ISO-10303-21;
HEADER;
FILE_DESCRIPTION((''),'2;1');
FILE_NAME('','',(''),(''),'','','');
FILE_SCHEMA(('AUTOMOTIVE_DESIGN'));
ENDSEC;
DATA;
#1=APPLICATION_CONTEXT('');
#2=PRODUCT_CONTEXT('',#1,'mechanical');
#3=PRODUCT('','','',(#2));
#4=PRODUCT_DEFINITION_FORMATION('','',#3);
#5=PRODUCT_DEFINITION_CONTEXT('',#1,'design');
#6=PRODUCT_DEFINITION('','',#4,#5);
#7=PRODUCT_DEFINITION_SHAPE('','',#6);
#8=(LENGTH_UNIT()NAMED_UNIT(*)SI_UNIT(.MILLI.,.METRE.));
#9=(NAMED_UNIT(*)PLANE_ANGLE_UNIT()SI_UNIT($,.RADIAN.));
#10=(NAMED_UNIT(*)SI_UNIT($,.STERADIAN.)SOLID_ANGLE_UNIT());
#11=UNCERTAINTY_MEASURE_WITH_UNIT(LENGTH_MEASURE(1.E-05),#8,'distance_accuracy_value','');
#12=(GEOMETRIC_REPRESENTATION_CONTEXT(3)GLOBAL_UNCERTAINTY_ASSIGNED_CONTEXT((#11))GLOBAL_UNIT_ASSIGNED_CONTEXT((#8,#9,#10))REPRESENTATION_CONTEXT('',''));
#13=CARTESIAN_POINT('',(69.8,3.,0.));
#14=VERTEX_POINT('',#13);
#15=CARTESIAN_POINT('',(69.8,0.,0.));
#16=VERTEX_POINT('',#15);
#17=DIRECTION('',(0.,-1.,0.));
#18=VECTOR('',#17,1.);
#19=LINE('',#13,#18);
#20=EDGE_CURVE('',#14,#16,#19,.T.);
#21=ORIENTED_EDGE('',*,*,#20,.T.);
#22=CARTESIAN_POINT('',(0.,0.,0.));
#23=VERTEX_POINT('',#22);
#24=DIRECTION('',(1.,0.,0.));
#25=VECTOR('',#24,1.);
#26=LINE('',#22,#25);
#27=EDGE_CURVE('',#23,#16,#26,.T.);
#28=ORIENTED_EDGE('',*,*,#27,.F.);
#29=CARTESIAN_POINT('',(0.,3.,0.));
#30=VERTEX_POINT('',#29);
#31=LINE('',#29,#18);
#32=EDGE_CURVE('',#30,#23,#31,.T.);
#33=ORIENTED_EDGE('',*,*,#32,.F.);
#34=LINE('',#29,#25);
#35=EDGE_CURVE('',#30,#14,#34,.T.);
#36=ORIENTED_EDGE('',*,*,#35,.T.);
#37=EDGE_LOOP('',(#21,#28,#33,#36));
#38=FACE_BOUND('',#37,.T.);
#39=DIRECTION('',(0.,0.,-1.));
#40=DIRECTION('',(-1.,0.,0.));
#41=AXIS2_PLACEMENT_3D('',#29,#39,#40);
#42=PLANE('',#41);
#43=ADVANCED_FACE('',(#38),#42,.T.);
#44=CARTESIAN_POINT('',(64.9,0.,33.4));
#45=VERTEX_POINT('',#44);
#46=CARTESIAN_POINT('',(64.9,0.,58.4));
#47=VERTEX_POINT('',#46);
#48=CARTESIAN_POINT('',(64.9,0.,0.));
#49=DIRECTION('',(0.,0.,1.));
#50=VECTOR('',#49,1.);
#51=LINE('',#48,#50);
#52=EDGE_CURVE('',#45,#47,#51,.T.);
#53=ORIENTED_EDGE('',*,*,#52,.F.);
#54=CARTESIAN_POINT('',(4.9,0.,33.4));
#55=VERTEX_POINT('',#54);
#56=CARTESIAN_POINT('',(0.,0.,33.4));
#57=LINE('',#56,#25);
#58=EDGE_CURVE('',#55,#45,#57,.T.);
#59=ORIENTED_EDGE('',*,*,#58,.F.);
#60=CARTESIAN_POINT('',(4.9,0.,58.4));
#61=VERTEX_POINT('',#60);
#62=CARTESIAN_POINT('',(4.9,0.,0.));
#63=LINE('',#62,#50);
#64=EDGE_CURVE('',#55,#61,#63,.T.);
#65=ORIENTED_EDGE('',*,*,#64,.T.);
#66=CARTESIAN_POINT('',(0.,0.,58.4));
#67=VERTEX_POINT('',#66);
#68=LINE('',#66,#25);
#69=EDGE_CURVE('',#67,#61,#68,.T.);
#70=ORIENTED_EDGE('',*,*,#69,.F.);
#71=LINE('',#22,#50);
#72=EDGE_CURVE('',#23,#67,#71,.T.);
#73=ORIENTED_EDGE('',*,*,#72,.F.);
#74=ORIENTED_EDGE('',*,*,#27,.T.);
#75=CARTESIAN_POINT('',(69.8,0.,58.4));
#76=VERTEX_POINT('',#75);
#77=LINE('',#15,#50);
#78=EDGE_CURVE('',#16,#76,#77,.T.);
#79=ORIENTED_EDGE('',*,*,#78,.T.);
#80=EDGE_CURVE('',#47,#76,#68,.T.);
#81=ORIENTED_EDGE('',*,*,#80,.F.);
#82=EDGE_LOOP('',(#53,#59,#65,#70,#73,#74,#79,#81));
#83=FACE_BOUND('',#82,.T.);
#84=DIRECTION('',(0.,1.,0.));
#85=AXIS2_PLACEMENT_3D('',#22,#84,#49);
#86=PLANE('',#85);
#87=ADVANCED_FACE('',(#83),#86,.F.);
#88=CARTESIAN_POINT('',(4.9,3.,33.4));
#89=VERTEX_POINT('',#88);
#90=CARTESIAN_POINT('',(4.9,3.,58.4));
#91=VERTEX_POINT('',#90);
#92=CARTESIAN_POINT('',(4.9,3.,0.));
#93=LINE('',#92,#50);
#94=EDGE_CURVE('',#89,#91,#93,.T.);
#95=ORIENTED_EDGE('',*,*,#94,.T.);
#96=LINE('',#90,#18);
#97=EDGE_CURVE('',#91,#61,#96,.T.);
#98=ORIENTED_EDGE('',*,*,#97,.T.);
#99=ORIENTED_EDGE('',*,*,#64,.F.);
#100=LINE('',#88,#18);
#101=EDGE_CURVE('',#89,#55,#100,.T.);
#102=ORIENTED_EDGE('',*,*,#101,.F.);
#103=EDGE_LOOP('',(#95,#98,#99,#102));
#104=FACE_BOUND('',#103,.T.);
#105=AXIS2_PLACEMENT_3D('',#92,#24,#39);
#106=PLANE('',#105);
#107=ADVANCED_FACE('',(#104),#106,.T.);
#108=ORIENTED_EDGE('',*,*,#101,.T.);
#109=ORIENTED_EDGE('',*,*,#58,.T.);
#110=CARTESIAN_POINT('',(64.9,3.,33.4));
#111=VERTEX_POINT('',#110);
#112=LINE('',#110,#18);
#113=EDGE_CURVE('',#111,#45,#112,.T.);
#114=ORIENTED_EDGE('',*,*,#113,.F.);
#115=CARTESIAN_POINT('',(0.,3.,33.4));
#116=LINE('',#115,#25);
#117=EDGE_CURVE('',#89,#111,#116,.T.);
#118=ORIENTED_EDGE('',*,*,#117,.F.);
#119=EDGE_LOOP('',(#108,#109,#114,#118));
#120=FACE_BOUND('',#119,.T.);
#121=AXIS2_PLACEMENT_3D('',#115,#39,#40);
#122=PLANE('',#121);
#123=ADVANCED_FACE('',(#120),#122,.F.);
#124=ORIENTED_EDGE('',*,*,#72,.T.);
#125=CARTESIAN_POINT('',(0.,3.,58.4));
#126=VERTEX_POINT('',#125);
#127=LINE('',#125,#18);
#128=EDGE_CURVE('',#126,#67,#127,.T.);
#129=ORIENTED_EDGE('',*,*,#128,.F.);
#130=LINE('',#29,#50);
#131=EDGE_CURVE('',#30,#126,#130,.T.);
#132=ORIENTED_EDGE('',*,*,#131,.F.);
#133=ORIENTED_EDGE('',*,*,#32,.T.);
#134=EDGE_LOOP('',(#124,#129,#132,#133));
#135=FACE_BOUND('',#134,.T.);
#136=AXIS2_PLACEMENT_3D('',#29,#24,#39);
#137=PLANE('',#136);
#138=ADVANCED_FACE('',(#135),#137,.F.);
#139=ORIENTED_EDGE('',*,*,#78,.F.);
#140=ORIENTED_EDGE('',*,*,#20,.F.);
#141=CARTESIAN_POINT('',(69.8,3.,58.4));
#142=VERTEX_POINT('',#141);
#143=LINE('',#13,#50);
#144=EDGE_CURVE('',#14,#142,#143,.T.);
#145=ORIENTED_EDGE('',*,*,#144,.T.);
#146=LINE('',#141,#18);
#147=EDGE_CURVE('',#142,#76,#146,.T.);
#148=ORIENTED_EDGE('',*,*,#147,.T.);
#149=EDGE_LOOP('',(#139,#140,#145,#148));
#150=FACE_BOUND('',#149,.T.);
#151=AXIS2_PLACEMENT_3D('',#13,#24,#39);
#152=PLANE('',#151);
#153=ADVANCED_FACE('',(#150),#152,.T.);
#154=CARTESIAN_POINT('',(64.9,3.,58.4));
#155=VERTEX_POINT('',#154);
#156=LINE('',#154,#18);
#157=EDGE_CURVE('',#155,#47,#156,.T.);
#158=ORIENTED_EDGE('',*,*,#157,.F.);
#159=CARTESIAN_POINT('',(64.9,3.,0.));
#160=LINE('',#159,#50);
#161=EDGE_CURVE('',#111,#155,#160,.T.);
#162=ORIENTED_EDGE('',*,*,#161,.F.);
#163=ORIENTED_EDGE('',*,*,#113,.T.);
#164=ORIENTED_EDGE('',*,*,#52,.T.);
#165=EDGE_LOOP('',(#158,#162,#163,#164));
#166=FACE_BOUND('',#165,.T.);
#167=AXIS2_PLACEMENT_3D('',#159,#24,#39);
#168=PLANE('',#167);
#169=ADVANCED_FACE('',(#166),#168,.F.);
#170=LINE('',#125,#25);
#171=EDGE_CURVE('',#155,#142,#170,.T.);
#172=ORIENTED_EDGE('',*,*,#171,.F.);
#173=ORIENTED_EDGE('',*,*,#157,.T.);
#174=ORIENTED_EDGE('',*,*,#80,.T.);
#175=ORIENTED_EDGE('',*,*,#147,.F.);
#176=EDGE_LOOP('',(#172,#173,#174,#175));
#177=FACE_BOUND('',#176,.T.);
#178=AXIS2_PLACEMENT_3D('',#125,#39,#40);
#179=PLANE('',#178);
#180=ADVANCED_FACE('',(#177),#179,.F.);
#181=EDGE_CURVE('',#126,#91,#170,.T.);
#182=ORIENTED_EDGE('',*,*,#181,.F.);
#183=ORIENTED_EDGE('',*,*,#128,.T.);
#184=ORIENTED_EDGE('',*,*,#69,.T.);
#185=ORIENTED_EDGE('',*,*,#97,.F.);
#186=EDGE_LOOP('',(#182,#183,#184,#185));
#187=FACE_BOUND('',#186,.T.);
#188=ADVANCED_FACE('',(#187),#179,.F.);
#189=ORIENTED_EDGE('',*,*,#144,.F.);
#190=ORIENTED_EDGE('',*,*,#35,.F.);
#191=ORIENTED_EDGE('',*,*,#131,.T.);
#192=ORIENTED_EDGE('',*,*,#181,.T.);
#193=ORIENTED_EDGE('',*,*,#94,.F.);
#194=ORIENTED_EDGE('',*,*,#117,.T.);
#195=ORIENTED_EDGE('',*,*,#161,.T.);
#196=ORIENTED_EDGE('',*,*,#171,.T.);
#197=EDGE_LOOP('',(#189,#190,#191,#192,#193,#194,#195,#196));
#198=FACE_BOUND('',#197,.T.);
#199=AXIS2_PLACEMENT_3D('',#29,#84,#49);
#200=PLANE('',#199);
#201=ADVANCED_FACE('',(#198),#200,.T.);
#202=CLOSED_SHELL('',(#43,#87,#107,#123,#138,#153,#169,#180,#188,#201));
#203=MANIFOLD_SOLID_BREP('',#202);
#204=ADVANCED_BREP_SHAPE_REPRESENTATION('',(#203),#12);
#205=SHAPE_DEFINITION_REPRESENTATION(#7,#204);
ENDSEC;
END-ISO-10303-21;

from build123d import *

# Parameters (mm, degrees)
BOSS_EXTRUDE1_DEPTH = 3


with BuildPart() as part:
    # Sketch1 → Boss-Extrude1 (new body)
    with BuildSketch(Plane(origin=(0, 0, 0), x_dir=(1, 0, 0), z_dir=(0, 1, 0))):
        Polygon((69.8, 0), (0, 0), (0, -58.4), (4.9, -58.4), (4.9, -33.4), (64.9, -33.4), (64.9, -58.4), (69.8, -58.4), align=None)
    extrude(amount=BOSS_EXTRUDE1_DEPTH)


solid = part.part
